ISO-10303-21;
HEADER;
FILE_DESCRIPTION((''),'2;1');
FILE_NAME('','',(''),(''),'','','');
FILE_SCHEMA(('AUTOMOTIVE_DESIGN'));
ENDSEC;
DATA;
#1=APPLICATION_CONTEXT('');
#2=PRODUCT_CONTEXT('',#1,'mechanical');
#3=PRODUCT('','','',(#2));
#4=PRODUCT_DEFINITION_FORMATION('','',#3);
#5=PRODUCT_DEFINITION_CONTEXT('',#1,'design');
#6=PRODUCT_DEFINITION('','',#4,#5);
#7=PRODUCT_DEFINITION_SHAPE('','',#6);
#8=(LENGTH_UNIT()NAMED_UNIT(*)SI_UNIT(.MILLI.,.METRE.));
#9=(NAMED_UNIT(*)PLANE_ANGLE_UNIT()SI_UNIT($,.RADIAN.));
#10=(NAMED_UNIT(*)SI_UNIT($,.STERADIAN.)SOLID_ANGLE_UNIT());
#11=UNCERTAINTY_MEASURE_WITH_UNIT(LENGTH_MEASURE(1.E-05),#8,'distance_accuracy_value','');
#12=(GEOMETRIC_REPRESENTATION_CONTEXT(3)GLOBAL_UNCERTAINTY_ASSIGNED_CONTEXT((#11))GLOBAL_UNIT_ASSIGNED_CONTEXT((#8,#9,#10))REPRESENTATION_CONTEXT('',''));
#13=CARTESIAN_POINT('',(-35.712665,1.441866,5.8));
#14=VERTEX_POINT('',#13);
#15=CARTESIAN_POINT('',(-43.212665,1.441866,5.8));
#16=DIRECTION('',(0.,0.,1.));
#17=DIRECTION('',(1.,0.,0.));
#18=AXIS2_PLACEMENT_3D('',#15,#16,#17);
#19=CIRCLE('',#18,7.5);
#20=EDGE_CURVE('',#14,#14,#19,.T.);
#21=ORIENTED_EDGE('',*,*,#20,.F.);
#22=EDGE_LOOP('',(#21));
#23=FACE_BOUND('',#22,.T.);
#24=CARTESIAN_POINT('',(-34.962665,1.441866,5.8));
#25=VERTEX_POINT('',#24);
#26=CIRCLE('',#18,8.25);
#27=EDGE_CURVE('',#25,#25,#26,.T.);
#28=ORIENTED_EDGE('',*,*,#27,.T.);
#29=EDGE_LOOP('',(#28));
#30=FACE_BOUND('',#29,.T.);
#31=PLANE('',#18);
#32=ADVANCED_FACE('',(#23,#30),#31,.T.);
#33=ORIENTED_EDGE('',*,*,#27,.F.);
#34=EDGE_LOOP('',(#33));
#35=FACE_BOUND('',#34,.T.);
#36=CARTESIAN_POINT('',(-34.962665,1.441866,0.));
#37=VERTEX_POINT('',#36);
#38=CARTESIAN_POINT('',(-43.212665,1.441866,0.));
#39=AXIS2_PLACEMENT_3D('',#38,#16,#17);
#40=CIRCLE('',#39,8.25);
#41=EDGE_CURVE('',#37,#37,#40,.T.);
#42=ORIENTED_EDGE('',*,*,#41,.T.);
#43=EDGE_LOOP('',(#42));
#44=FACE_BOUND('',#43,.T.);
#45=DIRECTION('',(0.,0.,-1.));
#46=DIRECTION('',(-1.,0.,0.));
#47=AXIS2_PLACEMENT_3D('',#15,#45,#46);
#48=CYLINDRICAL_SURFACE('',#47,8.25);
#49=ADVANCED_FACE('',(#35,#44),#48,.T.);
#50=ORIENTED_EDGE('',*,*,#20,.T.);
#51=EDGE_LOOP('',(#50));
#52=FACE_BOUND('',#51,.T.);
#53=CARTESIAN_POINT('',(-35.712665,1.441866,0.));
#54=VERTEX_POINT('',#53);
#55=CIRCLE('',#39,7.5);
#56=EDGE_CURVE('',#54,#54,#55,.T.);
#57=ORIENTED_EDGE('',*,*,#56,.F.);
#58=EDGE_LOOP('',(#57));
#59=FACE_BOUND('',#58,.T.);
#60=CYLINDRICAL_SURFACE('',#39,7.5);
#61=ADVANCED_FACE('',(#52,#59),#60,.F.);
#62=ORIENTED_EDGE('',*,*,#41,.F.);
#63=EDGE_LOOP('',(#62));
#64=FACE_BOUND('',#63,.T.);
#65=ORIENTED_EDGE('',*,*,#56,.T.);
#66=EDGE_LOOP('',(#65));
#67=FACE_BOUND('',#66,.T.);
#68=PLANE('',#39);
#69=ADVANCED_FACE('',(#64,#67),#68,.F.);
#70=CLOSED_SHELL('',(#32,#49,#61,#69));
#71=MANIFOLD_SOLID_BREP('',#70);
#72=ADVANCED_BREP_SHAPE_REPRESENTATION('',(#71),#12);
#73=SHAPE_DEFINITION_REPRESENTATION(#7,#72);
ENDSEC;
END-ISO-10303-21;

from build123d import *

# Parameters (mm, degrees)
SKETCH1_R           = 8.25
BOSS_EXTRUDE1_DEPTH = 5.8
SKETCH2_R           = 7.5
CUT_EXTRUDE1_DEPTH  = 5.8


with BuildPart() as part:
    # Sketch1 → Boss-Extrude1 (new body)
    with BuildSketch(Plane.XY):
        with Locations((-43.212664647, 1.441865661)):
            Circle(SKETCH1_R)
    extrude(amount=BOSS_EXTRUDE1_DEPTH)

    # Sketch2 → Cut-Extrude1 (cut)
    with BuildSketch(Plane.XY.offset(5.8)):
        with Locations((-43.212664647, 1.441865661)):
            Circle(SKETCH2_R)
    extrude(amount=-CUT_EXTRUDE1_DEPTH, mode=Mode.SUBTRACT)


solid = part.part
